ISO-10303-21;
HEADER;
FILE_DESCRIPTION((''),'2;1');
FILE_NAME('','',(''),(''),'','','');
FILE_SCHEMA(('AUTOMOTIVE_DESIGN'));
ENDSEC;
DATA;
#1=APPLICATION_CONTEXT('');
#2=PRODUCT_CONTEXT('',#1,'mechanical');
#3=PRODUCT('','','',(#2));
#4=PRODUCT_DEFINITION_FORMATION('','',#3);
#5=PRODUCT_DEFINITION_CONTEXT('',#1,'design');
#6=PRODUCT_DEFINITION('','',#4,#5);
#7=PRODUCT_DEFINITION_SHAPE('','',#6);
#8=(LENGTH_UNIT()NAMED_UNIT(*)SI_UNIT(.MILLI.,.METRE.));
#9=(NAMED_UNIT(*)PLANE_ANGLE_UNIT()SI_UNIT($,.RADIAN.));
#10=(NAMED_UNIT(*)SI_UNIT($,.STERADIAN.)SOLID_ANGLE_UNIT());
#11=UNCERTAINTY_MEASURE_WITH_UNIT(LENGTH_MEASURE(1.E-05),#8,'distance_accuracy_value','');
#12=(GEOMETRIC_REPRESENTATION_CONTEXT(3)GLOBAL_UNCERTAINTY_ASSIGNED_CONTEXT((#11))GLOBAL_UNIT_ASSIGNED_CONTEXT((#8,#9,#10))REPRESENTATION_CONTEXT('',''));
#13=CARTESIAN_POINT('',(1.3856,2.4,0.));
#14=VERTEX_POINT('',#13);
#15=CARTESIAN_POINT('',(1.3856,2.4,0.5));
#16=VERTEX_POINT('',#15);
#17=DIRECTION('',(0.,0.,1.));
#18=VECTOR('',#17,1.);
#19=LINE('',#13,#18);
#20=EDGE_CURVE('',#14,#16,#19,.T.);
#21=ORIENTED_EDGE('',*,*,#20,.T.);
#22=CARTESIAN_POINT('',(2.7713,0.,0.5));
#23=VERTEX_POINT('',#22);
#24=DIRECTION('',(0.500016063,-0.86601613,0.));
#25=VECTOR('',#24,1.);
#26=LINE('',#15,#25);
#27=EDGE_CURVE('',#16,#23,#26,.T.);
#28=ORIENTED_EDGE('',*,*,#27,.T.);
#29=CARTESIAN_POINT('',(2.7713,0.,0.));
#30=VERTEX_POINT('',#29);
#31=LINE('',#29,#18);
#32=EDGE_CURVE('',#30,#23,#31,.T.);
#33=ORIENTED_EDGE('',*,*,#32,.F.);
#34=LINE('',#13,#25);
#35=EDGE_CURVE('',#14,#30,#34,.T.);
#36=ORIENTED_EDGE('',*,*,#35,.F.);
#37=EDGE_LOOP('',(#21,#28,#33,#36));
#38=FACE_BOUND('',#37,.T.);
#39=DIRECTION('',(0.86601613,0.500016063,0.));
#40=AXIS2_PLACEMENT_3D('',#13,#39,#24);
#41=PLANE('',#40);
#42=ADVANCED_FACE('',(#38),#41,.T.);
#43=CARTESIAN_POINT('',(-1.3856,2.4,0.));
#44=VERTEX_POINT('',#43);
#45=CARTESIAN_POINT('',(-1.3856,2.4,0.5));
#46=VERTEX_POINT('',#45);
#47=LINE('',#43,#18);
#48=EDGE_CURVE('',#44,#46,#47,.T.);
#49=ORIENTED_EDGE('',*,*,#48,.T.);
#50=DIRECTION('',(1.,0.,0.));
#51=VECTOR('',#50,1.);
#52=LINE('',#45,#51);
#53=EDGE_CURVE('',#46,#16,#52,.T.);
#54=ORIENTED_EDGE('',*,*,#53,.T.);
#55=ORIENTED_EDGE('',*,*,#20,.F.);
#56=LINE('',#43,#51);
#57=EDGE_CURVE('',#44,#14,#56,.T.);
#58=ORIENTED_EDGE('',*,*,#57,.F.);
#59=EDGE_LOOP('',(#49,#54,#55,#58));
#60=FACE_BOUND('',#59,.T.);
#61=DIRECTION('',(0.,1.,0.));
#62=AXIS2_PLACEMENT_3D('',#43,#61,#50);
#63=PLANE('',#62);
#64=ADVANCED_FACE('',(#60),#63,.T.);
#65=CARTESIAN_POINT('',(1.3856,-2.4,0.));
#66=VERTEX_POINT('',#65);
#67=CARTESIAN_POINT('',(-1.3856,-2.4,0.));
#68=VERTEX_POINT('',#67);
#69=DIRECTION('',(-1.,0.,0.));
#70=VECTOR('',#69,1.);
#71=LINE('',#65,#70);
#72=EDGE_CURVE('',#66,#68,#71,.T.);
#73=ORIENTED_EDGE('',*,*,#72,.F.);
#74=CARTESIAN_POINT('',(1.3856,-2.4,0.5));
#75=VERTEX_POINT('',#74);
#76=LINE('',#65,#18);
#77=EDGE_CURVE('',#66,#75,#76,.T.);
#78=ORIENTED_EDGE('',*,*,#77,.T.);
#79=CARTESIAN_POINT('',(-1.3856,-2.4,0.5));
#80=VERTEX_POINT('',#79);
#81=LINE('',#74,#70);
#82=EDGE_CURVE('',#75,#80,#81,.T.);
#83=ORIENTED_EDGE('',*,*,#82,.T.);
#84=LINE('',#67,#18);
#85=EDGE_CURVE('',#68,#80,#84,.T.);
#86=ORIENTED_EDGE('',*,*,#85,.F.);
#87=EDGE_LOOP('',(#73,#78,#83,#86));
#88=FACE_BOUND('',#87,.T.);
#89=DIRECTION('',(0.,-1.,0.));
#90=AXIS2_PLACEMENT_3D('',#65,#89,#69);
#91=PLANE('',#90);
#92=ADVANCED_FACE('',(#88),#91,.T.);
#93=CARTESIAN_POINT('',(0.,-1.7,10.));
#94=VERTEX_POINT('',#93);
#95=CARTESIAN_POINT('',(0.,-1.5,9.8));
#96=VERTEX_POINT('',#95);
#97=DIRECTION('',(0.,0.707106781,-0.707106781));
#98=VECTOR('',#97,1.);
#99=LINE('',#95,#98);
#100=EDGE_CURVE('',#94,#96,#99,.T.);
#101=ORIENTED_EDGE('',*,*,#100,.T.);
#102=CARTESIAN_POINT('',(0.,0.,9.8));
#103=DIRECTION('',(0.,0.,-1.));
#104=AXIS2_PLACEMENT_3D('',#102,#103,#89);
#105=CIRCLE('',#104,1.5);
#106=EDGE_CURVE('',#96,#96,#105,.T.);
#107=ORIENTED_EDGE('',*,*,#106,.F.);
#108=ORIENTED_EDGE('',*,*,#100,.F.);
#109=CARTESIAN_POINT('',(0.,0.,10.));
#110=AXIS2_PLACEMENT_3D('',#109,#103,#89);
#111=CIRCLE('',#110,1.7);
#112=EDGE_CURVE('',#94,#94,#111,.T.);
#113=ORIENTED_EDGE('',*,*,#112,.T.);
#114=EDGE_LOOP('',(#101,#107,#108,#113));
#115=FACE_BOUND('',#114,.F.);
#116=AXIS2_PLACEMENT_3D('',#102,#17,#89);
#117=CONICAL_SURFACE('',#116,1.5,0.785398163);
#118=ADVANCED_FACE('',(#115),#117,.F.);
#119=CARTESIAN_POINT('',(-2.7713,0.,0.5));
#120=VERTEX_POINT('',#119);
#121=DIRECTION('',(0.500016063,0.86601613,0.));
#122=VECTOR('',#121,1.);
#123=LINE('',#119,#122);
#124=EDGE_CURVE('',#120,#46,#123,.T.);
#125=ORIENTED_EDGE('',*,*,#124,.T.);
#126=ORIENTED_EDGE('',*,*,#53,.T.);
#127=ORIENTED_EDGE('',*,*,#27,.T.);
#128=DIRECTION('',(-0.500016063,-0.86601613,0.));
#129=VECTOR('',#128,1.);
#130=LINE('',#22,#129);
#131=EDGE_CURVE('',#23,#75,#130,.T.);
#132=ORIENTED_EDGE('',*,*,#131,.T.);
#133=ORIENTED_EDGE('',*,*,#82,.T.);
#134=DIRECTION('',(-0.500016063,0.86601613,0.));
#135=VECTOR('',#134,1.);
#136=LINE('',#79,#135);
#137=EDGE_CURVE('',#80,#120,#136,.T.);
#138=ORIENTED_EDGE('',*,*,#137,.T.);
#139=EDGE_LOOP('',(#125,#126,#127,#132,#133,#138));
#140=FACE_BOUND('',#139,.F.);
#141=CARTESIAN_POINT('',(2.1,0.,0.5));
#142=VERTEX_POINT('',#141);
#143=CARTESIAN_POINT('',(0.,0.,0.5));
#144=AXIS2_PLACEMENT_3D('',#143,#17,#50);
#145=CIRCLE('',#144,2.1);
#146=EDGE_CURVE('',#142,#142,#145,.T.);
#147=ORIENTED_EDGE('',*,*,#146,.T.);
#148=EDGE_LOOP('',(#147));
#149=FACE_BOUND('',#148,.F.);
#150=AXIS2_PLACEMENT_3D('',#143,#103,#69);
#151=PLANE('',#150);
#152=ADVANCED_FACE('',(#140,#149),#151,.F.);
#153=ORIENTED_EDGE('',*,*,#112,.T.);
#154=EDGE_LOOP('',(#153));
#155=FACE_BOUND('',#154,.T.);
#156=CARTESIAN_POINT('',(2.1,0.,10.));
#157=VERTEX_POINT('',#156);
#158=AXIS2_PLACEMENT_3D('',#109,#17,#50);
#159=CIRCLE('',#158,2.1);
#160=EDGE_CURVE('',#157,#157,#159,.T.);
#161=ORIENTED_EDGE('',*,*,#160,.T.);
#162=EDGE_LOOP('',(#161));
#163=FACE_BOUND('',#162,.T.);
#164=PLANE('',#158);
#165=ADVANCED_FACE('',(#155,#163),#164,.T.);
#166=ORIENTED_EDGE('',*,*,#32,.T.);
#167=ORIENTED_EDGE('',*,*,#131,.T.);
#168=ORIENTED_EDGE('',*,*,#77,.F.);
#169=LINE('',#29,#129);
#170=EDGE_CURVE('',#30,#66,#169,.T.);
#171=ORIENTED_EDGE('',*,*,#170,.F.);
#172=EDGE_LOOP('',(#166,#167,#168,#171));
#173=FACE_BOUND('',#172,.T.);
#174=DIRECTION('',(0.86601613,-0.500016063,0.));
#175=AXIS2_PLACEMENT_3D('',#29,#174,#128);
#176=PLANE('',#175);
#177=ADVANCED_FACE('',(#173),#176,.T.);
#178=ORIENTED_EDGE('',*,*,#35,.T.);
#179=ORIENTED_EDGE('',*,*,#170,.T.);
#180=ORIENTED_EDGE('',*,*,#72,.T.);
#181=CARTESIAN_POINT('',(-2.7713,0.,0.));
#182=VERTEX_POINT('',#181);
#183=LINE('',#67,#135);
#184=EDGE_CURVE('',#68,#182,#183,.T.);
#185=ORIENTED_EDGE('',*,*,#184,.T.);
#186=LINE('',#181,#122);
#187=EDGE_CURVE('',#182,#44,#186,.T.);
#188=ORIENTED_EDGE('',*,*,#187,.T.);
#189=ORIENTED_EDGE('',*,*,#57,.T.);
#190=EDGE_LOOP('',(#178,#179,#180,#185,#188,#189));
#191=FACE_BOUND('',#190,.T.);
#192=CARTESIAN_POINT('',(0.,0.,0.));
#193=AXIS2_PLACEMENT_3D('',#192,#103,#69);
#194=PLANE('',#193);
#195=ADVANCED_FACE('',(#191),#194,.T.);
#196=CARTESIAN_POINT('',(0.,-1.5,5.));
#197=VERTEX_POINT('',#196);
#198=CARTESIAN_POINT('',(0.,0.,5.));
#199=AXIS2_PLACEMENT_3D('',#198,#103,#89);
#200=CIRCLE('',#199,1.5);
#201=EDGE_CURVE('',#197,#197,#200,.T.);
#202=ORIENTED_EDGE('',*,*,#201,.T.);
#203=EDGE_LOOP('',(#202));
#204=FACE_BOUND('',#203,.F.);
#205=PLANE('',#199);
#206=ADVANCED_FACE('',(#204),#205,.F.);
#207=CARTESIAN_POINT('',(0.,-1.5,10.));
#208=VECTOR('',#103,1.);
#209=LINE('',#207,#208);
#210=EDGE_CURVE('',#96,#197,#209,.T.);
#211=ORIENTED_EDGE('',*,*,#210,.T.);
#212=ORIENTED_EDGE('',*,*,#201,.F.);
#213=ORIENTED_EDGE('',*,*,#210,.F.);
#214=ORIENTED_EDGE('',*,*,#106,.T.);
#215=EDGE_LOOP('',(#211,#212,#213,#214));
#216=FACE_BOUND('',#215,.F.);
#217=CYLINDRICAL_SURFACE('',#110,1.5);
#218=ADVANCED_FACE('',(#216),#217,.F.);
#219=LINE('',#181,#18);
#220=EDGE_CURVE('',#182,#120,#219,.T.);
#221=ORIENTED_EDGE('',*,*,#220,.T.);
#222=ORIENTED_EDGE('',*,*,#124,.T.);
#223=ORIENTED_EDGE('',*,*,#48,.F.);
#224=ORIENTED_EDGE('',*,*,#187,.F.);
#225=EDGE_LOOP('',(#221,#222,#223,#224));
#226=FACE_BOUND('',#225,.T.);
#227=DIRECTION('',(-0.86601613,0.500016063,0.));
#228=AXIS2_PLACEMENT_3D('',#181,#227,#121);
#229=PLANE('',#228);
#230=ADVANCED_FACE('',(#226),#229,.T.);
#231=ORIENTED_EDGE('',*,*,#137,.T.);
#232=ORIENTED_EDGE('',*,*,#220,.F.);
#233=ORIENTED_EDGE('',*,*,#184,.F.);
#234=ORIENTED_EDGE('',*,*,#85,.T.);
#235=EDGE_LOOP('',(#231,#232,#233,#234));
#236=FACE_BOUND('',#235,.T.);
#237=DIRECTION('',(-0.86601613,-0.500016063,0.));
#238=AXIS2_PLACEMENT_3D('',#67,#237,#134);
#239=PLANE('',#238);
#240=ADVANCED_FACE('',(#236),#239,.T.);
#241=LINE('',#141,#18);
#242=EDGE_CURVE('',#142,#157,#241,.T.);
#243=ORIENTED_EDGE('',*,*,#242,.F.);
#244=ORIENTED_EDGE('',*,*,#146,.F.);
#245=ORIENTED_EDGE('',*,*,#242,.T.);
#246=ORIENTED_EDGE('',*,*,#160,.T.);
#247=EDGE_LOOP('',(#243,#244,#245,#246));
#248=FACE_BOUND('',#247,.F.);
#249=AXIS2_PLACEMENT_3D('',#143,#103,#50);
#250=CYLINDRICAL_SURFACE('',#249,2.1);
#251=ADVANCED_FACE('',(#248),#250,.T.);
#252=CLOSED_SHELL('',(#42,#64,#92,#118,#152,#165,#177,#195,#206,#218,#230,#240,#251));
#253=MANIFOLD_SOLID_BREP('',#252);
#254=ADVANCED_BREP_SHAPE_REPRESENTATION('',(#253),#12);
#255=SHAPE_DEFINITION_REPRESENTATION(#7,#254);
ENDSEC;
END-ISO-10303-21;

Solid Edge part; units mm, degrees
sketch "Sketch1" plane through (0, 0, 0) normal (0, 0, 1) x (1, 0, 0)
  line L0 (-1.3856, 2.4) -> (1.3856, 2.4)
  line L1 (1.3856, 2.4) -> (2.7713, 0)
  line L2 (2.7713, 0) -> (1.3856, -2.4)
  line L3 (1.3856, -2.4) -> (-1.3856, -2.4)
  line L4 (-1.3856, -2.4) -> (-2.7713, 0)
  line L5 (-2.7713, 0) -> (-1.3856, 2.4)
  dimension "D1" = 4.8
extrude "Protrusion1" add sketch "Sketch1" along normal blind 0.5
sketch "Sketch2" plane through (0, 0, 0.5) normal (0, 0, 1) x (1, 0, 0)
  circle A0 centre (0, 0) radius 2.1
  dimension "D1" = 4.2
extrude "Ausprägung_2" add sketch "Sketch2" along normal blind 9.5
hole "Bohrung_1" at (0, 0, 10) direction (0, 0, -1) diameter 3 depth 5
chamfer "Fase_1" distance 0.2 angle 45 1 edges at (0, 1.5, 10)
